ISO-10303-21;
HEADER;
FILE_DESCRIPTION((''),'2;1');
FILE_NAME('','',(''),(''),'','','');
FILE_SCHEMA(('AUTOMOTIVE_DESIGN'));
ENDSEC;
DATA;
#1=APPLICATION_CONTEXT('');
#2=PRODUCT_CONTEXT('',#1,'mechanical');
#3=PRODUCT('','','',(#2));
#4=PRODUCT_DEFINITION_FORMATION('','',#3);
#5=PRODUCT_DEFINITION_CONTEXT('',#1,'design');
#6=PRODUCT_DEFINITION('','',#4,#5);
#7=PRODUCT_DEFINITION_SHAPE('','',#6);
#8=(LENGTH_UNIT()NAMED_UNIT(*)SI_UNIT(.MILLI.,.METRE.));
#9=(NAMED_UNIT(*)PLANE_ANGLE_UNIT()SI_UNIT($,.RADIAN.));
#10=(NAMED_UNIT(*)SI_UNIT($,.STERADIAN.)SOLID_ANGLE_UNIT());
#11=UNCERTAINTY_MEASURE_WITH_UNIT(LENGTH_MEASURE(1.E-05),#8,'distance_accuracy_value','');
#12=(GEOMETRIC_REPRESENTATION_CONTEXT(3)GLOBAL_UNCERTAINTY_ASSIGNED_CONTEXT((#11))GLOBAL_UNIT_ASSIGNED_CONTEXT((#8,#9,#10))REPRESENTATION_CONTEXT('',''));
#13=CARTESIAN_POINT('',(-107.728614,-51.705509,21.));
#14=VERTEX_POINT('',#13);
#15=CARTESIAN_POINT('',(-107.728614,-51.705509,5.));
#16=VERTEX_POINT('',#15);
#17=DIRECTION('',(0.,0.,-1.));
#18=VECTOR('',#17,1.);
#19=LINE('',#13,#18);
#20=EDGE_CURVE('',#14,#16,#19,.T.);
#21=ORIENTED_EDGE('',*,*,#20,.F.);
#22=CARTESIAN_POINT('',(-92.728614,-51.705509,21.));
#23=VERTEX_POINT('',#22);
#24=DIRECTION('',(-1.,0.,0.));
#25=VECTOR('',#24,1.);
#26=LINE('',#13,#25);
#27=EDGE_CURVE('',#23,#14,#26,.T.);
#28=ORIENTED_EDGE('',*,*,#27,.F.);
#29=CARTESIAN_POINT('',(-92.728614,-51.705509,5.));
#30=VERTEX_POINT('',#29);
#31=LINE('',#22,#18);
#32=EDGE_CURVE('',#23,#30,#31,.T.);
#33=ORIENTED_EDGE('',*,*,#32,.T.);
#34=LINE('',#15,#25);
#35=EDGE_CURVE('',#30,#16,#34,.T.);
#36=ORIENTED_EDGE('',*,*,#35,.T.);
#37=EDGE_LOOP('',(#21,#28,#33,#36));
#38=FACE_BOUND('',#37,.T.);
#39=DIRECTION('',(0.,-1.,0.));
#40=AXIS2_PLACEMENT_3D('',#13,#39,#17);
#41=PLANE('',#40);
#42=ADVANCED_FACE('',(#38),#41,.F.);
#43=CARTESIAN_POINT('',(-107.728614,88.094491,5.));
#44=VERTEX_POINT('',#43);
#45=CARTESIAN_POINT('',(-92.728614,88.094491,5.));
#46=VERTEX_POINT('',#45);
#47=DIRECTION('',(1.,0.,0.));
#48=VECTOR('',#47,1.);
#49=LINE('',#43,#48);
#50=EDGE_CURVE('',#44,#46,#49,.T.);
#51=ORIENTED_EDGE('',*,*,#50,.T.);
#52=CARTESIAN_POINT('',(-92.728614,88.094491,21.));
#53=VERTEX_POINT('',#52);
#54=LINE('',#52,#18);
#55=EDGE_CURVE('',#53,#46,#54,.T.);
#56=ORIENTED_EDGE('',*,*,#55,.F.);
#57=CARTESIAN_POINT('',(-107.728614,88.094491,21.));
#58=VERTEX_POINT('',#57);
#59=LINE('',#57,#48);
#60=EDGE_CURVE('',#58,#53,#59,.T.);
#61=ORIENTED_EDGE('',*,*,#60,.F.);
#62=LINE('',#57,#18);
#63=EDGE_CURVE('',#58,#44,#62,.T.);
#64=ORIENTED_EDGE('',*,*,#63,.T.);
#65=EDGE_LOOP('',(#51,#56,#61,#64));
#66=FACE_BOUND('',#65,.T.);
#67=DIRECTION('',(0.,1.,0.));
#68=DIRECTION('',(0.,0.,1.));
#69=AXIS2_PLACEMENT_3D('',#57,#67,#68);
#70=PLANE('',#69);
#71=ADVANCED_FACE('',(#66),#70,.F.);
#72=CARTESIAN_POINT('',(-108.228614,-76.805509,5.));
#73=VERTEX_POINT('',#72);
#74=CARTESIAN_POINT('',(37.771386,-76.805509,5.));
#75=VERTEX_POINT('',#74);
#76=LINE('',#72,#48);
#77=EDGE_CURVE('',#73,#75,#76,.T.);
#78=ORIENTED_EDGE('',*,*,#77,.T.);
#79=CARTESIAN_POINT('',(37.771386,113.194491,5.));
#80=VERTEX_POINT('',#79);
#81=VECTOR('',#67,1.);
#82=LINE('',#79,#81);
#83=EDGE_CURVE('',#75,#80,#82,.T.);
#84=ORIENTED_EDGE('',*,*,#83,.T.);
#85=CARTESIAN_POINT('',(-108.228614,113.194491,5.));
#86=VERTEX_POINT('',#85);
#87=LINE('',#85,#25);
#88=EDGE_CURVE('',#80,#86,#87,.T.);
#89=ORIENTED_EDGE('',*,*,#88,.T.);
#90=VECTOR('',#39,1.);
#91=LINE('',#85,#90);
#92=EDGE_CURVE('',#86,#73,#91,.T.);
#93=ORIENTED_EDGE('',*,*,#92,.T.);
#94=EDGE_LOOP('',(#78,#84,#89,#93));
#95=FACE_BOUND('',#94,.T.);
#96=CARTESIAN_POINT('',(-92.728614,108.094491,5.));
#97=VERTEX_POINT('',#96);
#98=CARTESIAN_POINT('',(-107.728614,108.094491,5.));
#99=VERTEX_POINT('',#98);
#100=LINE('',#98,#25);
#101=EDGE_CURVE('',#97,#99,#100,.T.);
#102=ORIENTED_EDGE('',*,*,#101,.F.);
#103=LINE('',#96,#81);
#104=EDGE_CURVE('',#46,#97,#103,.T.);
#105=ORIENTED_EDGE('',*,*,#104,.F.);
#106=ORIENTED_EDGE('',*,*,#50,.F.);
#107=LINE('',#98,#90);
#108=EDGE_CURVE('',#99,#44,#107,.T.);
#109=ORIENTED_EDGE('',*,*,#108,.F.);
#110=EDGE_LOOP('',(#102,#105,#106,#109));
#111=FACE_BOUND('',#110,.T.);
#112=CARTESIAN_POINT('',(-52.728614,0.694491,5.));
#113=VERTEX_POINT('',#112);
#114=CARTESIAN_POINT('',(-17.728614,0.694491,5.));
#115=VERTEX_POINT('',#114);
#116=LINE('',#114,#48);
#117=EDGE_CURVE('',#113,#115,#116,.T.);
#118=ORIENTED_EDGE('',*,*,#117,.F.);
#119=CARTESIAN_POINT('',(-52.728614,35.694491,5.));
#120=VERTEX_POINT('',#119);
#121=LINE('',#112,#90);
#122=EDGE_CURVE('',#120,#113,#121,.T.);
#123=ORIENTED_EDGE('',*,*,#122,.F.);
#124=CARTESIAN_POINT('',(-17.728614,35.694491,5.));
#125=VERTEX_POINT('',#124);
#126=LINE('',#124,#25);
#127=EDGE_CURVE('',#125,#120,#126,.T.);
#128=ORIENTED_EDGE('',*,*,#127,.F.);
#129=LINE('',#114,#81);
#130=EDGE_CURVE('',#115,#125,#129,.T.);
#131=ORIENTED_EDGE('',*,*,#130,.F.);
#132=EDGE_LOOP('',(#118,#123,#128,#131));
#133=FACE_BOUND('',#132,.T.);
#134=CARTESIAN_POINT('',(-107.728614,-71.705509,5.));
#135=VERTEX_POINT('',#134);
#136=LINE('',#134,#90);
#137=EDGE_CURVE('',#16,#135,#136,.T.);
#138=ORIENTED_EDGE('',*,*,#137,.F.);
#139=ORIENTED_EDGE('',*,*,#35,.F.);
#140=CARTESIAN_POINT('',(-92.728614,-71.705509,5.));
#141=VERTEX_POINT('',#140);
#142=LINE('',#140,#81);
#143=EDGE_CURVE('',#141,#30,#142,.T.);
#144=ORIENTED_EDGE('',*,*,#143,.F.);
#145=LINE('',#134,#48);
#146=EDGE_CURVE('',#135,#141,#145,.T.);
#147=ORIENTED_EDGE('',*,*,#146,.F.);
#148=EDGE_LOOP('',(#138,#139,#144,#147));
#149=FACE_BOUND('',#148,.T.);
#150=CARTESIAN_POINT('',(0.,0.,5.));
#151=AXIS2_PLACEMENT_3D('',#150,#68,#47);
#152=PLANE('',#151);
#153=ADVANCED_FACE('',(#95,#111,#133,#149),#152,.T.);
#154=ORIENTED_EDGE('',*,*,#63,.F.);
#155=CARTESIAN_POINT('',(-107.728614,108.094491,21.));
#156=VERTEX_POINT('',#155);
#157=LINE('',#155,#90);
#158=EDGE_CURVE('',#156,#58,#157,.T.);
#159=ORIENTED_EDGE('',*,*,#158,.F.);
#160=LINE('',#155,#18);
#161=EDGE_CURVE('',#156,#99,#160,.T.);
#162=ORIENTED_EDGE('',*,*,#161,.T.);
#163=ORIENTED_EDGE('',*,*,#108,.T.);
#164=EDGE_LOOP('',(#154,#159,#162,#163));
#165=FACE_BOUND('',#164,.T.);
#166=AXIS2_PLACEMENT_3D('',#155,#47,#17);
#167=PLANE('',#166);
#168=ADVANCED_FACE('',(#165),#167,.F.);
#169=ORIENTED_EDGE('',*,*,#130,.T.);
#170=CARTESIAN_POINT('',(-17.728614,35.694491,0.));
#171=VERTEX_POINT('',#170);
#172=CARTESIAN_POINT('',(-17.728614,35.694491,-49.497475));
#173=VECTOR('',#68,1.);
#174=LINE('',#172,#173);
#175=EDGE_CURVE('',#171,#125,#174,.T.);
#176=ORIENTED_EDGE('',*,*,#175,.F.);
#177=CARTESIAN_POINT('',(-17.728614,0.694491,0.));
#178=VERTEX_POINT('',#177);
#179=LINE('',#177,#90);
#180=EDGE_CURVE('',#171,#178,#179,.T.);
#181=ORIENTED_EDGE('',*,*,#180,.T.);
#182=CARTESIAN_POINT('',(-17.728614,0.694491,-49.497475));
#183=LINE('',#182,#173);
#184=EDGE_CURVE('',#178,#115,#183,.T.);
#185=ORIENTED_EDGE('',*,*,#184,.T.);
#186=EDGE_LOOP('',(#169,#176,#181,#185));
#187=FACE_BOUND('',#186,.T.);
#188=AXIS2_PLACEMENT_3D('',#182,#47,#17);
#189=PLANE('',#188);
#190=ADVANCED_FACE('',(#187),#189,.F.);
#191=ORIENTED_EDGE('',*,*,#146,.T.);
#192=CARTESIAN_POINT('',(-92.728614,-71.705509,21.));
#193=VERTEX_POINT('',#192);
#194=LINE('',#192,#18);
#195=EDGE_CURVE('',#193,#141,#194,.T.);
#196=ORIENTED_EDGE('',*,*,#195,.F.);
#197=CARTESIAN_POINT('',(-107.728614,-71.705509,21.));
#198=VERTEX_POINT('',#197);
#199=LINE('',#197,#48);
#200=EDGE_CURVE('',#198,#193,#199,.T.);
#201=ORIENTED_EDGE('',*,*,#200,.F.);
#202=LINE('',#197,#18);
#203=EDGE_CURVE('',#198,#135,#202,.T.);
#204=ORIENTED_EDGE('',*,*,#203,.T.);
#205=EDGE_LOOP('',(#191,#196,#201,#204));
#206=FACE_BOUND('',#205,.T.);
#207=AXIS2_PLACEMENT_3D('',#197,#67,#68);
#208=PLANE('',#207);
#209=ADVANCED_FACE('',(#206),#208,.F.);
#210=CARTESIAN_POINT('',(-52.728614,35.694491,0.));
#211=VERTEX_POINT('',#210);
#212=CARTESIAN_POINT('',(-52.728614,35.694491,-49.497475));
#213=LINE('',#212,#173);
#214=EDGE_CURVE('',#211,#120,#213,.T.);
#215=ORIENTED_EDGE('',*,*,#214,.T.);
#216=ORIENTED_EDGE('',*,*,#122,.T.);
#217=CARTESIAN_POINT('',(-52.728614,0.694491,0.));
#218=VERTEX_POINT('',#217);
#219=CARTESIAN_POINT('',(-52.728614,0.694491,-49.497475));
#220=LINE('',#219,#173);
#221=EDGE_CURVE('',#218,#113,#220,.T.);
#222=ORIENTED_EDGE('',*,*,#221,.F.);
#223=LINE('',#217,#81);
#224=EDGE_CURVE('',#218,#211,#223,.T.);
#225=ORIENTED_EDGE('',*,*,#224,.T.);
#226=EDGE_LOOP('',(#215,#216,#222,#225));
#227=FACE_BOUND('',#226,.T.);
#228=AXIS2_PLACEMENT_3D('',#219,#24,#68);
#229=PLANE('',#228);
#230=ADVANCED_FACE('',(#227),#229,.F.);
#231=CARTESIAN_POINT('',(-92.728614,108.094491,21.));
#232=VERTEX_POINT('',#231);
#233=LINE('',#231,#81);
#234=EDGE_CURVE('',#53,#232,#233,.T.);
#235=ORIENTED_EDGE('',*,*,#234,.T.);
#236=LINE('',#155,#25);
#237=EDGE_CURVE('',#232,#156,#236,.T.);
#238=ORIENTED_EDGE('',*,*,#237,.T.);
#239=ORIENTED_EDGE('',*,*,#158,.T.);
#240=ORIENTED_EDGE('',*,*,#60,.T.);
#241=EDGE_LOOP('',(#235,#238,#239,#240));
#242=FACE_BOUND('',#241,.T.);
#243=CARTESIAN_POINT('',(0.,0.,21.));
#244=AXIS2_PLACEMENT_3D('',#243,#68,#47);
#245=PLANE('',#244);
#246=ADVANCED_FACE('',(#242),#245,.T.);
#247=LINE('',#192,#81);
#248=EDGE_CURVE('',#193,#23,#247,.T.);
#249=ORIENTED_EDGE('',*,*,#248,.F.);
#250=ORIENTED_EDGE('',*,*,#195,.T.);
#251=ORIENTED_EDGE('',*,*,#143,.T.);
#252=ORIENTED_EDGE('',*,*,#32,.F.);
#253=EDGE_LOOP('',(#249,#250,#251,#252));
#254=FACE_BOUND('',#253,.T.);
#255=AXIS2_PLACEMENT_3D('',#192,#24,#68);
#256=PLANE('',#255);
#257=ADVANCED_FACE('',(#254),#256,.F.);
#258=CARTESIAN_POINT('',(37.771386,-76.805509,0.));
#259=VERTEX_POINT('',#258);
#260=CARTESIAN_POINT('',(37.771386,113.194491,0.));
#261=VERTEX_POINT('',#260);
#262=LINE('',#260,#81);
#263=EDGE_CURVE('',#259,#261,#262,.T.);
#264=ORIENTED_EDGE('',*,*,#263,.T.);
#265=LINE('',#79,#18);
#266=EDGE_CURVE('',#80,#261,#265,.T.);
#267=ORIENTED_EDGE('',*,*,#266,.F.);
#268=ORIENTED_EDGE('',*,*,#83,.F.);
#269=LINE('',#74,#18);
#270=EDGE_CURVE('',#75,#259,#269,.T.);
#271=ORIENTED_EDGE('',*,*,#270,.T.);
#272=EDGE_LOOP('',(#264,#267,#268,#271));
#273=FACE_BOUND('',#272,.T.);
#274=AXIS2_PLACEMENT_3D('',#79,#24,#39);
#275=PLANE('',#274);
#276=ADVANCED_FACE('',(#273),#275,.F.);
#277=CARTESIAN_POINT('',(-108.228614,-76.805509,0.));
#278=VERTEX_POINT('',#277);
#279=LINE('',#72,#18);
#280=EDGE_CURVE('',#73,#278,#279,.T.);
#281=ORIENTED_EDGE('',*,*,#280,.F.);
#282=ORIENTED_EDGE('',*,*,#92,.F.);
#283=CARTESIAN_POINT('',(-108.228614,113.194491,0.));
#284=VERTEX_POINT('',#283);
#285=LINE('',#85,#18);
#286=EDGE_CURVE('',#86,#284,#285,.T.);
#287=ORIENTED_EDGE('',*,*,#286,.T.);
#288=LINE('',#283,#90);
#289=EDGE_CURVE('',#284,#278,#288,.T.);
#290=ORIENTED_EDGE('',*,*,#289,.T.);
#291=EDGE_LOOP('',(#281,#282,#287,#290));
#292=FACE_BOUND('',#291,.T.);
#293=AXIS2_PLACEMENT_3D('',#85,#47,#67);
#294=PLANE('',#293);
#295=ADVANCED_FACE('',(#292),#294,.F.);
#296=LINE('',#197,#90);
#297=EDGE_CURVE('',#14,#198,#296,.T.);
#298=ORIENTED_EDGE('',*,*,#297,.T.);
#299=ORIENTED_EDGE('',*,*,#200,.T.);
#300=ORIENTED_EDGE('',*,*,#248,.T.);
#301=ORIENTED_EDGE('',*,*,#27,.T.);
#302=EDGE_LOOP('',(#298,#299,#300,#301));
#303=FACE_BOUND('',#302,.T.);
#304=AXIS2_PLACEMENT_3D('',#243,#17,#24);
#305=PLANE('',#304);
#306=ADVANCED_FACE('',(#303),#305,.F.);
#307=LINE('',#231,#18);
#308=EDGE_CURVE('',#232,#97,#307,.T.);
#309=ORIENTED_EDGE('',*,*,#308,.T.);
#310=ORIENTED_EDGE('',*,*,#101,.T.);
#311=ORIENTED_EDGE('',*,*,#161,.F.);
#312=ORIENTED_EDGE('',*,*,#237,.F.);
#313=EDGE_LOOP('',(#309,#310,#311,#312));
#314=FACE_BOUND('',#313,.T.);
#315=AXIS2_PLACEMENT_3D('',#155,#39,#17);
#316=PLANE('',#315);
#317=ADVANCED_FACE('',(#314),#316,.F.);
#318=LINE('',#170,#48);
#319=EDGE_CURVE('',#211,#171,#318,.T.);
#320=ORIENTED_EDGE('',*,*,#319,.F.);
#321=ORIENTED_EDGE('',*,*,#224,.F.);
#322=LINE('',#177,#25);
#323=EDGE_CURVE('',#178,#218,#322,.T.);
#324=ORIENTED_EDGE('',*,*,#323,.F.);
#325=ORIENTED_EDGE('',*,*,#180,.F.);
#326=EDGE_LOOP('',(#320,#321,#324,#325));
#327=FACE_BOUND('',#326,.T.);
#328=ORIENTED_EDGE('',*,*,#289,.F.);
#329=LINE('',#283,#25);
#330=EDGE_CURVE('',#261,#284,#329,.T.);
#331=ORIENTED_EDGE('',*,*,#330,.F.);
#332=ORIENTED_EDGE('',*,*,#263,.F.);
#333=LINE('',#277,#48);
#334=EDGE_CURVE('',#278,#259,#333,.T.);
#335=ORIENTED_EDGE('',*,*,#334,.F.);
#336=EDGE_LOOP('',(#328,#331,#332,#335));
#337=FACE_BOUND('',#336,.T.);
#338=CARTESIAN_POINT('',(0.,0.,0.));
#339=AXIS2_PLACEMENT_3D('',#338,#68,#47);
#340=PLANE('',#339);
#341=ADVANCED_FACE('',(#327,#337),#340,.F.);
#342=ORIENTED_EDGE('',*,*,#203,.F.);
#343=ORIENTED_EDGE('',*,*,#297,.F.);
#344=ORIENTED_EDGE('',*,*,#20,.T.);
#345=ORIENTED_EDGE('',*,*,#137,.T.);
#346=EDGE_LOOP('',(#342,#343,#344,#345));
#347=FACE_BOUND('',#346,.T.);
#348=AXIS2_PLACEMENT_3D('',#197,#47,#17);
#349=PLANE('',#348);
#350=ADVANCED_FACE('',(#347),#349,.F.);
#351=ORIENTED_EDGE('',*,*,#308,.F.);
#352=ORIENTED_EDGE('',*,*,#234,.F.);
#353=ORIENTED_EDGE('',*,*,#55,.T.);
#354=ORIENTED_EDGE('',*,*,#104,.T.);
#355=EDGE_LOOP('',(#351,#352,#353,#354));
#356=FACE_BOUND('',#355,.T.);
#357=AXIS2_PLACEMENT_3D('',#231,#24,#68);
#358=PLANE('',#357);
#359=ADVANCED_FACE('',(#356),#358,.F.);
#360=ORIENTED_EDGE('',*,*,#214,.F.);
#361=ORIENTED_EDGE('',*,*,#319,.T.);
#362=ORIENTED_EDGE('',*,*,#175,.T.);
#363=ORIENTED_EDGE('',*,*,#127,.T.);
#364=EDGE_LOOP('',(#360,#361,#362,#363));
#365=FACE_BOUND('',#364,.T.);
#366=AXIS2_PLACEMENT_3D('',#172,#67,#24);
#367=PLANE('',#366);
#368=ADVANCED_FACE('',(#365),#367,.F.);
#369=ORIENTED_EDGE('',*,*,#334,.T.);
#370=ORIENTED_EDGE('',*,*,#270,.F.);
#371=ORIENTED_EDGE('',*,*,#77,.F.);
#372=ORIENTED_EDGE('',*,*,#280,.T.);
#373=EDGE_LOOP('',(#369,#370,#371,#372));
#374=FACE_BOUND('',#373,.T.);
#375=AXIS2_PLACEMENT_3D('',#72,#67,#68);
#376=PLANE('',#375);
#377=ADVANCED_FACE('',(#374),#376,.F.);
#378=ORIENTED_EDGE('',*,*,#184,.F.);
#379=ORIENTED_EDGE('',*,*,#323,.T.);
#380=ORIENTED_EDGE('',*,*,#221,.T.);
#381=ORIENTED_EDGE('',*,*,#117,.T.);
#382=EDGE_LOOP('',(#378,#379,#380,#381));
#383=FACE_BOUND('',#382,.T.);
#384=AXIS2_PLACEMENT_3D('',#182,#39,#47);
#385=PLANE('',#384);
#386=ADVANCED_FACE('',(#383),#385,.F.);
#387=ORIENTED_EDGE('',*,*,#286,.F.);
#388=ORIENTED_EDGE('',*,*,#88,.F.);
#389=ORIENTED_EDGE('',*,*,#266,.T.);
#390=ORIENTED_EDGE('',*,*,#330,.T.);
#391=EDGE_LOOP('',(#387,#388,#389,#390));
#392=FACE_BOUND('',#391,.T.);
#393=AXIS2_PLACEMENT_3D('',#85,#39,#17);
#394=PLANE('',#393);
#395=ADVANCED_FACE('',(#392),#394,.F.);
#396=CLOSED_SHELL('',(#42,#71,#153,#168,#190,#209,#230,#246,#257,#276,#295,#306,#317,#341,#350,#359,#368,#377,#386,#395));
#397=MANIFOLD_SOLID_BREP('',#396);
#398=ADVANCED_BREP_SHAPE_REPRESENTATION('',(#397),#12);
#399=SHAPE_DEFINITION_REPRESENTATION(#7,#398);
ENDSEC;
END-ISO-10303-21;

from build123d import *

# Parameters (mm, degrees)
ESQUISSE1_W             = 146
ESQUISSE1_H             = 190
BOSS_EXTRU_1_DEPTH      = 5
ESQUISSE15_W            = 15
ESQUISSE15_H            = 20
BOSS_EXTRU_7_DEPTH      = 16
ESQUISSE16_W            = 15
ESQUISSE16_H            = 20
BOSS_EXTRU_8_DEPTH      = 16
ESQUISSE17_W            = 35
ESQUISSE17_H            = 35
ENL_V_MAT_EXTRU_1_DEPTH = 5


with BuildPart() as part:
    # Esquisse1 → Boss.-Extru.1 (new body)
    with BuildSketch(Plane.XY):
        with Locations((-35.228613981, 18.194490743)):
            Rectangle(ESQUISSE1_W, ESQUISSE1_H)
    extrude(amount=BOSS_EXTRU_1_DEPTH)

    # Esquisse15 → Boss.-Extru.7 (add)
    with BuildSketch(Plane.XY.offset(5)):
        with Locations((-100.228613981, -61.705509257)):
            Rectangle(ESQUISSE15_W, ESQUISSE15_H)
    extrude(amount=BOSS_EXTRU_7_DEPTH)

    # Esquisse16 → Boss.-Extru.8 (add)
    with BuildSketch(Plane.XY.offset(5)):
        with Locations((-100.228613981, 98.094490743)):
            Rectangle(ESQUISSE16_W, ESQUISSE16_H)
    extrude(amount=BOSS_EXTRU_8_DEPTH)

    # Esquisse17 → Enlèv. mat.-Extru.1 (cut)
    with BuildSketch(Plane.XY.offset(5)):
        with Locations((-35.228613981, 18.194490743)):
            Rectangle(ESQUISSE17_W, ESQUISSE17_H)
    extrude(amount=-ENL_V_MAT_EXTRU_1_DEPTH, mode=Mode.SUBTRACT)


solid = part.part
